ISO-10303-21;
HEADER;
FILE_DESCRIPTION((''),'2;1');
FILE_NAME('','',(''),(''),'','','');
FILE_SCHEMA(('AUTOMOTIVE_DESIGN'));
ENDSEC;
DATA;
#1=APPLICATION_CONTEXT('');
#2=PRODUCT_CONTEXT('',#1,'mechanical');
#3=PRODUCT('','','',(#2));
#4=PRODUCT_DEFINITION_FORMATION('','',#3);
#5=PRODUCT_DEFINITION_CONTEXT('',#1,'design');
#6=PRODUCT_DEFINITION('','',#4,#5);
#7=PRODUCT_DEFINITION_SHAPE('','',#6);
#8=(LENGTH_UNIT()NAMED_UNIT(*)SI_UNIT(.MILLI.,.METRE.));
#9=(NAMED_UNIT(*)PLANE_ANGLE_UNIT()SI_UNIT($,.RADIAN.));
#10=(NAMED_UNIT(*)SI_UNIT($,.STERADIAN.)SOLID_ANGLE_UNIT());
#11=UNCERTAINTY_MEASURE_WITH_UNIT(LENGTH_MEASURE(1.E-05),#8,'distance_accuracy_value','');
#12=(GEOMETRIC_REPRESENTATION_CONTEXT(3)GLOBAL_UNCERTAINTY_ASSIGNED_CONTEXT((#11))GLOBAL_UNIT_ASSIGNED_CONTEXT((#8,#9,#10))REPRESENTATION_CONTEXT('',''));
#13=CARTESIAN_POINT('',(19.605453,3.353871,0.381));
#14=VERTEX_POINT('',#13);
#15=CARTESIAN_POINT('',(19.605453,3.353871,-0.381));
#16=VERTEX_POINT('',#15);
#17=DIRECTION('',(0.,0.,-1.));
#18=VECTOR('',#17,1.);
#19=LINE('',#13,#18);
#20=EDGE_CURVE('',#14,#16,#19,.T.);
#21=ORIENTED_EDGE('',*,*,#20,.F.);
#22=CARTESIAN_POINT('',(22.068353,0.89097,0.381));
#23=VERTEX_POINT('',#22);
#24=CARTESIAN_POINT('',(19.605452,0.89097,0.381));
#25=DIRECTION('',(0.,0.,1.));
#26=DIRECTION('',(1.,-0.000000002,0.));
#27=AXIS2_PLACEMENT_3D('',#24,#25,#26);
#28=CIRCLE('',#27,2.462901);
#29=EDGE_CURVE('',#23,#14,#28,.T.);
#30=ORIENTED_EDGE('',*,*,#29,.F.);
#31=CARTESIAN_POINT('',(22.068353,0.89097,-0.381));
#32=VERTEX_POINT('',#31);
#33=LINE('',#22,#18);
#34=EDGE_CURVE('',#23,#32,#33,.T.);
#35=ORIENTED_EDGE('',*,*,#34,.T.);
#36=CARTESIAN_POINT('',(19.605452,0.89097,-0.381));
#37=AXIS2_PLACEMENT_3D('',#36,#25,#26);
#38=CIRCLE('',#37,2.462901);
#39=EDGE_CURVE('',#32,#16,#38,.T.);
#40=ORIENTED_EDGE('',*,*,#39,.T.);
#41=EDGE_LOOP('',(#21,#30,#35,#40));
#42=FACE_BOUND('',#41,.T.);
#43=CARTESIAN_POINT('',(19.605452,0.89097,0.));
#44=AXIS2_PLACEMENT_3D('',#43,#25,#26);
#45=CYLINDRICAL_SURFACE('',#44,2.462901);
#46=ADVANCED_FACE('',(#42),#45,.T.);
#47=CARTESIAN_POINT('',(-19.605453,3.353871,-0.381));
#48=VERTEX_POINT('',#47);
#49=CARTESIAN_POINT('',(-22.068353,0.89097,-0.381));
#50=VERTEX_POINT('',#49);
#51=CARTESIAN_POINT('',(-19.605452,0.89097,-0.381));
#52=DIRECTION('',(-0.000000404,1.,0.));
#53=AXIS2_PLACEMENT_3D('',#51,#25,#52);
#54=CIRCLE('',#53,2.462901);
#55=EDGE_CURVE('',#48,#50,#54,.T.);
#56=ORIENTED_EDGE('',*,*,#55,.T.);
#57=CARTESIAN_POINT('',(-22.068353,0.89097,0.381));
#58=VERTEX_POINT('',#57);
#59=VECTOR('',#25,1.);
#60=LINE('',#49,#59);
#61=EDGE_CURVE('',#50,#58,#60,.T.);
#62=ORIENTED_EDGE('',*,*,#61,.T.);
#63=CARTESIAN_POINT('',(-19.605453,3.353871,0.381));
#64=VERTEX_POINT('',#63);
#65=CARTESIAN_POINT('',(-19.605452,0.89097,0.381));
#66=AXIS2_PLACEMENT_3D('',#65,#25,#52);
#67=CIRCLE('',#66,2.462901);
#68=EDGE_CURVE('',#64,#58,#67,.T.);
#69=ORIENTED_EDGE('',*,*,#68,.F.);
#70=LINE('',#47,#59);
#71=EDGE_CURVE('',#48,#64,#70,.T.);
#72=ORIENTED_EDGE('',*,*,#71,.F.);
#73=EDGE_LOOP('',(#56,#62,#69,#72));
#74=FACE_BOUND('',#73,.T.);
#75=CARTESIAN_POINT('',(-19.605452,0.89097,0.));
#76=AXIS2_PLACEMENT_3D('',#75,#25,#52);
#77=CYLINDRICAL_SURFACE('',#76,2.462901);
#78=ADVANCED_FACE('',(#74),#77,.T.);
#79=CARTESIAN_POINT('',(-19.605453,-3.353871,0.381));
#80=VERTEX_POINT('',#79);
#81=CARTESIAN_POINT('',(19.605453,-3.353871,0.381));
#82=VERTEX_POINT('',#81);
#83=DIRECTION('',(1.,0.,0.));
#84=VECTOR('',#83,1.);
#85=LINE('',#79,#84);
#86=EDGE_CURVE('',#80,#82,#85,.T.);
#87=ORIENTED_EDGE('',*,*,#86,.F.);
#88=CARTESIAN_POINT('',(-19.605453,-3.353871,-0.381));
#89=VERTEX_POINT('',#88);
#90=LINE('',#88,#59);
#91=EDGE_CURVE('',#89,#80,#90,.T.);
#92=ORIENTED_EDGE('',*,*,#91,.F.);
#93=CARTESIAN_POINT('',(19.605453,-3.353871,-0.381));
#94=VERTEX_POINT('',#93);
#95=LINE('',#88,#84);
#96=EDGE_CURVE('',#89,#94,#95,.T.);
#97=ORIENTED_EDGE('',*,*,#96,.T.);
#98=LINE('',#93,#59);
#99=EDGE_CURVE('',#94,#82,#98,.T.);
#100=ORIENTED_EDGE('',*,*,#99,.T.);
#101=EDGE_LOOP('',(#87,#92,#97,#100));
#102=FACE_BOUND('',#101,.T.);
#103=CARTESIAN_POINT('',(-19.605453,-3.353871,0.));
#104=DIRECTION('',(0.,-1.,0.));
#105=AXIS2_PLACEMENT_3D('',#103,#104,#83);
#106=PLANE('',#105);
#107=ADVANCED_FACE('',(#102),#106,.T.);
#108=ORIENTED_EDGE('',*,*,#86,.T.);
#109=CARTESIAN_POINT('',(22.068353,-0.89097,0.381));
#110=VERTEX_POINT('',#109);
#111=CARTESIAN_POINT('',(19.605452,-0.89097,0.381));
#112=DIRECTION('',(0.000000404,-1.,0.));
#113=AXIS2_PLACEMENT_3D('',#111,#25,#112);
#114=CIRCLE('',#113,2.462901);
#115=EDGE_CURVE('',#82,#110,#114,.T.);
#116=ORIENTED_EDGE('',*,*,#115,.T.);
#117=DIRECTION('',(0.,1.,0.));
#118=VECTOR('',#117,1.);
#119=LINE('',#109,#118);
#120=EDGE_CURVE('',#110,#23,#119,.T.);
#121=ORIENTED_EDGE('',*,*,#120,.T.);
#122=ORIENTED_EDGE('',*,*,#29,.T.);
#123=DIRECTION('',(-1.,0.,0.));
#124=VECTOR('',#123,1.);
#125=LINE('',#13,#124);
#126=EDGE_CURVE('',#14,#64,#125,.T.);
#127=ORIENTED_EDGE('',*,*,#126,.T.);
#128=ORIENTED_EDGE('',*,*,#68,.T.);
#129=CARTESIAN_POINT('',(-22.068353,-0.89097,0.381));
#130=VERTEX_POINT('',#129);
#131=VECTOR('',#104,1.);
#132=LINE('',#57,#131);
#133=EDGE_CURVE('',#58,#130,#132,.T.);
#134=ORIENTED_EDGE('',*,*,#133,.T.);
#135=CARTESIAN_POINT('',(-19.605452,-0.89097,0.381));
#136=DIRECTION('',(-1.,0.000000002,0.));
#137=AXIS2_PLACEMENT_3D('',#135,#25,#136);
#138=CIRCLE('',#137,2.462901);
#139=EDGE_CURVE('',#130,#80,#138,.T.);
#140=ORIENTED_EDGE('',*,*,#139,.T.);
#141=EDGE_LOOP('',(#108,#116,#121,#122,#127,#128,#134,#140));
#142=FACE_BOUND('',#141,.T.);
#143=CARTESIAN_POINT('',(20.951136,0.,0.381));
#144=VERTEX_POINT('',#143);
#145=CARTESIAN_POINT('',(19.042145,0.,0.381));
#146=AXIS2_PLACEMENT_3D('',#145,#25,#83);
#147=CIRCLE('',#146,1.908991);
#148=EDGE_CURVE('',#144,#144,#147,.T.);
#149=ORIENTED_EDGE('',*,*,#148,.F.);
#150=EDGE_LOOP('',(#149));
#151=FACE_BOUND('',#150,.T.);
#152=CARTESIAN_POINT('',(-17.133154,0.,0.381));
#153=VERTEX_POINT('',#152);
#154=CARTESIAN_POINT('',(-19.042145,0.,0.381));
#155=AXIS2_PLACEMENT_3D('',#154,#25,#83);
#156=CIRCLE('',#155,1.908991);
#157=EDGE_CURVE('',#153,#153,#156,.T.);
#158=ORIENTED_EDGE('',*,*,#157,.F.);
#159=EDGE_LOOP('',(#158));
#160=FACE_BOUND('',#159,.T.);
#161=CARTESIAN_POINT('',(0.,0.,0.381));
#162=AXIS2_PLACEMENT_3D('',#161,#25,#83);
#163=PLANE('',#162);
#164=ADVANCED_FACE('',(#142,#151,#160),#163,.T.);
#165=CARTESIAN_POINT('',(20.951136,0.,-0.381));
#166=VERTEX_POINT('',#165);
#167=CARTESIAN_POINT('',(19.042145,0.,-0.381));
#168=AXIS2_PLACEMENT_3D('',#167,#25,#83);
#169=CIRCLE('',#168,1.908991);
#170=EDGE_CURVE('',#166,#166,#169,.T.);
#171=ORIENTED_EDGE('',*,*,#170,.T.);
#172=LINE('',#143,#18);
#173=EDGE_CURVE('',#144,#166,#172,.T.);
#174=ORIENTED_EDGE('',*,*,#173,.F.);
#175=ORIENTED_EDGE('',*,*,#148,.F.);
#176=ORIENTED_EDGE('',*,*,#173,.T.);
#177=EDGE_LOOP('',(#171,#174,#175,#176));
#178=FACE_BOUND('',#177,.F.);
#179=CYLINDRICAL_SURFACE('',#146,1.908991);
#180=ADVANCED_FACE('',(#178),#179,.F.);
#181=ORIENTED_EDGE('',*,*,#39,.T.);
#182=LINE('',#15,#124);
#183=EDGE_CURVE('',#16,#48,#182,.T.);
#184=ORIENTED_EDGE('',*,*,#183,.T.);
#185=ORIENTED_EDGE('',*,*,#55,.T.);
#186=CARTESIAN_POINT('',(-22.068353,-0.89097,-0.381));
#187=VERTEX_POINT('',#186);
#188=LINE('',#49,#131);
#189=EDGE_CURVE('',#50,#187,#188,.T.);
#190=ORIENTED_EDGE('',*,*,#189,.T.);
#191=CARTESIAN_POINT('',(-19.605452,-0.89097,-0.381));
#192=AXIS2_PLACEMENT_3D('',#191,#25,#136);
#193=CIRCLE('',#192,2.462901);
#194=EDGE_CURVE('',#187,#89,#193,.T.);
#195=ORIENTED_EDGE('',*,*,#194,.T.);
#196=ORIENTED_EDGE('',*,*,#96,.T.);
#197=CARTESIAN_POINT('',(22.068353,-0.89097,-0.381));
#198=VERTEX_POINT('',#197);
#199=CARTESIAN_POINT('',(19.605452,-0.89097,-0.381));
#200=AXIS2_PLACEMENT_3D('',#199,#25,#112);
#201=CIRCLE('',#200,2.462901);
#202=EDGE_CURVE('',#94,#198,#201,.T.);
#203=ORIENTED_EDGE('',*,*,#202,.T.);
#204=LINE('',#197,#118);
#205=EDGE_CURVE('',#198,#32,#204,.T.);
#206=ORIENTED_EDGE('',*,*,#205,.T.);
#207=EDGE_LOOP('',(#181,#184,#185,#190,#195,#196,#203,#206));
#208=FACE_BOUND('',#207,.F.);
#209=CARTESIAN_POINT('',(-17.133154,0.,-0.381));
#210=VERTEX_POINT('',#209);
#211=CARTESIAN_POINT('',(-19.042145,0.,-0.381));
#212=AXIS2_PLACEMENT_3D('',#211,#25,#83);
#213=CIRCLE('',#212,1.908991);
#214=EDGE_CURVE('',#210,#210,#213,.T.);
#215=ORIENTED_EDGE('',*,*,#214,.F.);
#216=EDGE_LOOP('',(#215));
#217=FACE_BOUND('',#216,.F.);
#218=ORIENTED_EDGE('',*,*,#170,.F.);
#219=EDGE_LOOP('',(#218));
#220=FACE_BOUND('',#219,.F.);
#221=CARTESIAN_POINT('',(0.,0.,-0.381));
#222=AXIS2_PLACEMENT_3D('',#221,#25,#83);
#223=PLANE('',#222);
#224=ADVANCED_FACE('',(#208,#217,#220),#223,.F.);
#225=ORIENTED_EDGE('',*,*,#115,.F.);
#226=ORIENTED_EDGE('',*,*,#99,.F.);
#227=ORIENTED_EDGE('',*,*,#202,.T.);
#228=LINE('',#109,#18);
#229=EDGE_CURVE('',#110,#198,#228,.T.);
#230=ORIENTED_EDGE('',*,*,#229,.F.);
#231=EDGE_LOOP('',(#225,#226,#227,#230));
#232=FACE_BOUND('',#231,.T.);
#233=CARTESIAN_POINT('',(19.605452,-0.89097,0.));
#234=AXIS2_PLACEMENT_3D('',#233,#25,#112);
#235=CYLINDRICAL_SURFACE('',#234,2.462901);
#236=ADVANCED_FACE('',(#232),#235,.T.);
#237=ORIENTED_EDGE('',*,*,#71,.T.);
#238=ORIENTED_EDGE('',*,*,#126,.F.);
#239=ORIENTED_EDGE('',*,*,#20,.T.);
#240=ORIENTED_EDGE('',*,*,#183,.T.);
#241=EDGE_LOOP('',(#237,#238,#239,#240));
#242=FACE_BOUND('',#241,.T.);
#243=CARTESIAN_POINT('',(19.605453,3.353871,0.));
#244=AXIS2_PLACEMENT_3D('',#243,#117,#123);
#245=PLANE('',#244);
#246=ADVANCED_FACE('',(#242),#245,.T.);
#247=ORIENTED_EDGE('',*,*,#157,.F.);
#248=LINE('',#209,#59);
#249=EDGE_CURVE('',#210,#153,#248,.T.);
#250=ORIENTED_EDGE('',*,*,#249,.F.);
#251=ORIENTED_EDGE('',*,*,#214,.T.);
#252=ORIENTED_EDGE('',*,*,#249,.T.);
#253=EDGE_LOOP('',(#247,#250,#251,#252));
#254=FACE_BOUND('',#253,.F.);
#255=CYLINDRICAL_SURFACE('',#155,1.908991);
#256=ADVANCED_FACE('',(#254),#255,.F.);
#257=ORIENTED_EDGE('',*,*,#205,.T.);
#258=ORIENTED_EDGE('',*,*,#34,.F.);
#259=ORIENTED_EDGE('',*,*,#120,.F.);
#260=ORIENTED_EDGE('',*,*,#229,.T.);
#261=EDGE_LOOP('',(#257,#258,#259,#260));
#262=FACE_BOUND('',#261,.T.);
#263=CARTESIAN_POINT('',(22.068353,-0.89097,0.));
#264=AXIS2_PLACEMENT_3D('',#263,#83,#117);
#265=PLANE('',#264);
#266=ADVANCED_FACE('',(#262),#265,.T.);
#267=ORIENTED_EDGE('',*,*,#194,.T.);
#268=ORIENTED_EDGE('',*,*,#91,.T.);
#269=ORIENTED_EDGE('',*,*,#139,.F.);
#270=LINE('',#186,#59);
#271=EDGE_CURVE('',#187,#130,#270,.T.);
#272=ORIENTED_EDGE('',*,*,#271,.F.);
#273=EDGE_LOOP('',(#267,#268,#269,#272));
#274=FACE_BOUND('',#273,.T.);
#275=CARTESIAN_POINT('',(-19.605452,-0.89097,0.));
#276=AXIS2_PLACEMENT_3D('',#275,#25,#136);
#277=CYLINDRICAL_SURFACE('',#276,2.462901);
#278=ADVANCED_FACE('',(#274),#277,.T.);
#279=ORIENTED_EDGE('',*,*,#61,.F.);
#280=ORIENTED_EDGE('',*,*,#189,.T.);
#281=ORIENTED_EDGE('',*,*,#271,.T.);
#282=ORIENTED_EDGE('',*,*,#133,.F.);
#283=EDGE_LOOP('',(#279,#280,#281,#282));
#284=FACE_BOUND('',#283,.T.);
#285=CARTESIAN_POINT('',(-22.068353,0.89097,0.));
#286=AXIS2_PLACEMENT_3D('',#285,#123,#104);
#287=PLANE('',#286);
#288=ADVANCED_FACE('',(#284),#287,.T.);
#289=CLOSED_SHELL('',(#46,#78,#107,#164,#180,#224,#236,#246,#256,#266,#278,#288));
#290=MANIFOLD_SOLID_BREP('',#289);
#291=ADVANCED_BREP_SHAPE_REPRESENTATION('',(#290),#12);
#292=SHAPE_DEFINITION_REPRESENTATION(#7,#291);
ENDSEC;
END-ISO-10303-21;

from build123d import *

# Parameters (mm, degrees)
F1_DEPTH      = 0.381
F1_DEPTH_BACK = 0.381
F2_R          = 1.908991
F3_DEPTH      = 1.27
F3_DEPTH_BACK = 0.6858
F4_DEPTH      = 0.9398
F4_DEPTH_BACK = 1.8034


with BuildPart() as f1:
    # F0 (on Top) → F1 (new body, two sides)
    with BuildSketch(Plane.XY) as f1_sk:
        with BuildLine():
            Line((19.605453, 3.353871), (-19.605453, 3.353871))
            ThreePointArc((-19.605453, 3.353871), (-21.346986, 2.632504), (-22.068353, 0.89097))
            Line((-22.068353, 0.89097), (-22.068353, -0.89097))
            ThreePointArc((-22.068353, -0.89097), (-21.346986, -2.632504), (-19.605453, -3.353871))
            Line((-19.605453, -3.353871), (19.605453, -3.353871))
            ThreePointArc((19.605453, -3.353871), (21.346986, -2.632504), (22.068353, -0.89097))
            Line((22.068353, -0.89097), (22.068353, 0.89097))
            ThreePointArc((22.068353, 0.89097), (21.346986, 2.632504), (19.605453, 3.353871))
        make_face()
    extrude(amount=F1_DEPTH)
    extrude(f1_sk.sketch, amount=-F1_DEPTH_BACK)

    # F2 (on face) → F3 (cut, two sides)
    with BuildSketch(Plane.XY.offset(0.381)) as f3_sk:
        with Locations((-19.042145, 0)):
            Circle(F2_R)
    extrude(amount=-F3_DEPTH, mode=Mode.SUBTRACT)
    extrude(f3_sk.sketch, amount=-F3_DEPTH_BACK, mode=Mode.SUBTRACT)

    # F2 (on face) → F4 (cut, two sides)
    with BuildSketch(Plane.XY.offset(0.381)) as f4_sk:
        with Locations((19.042145, 0)):
            Circle(F2_R)
    extrude(amount=F4_DEPTH, mode=Mode.SUBTRACT)
    extrude(f4_sk.sketch, amount=-F4_DEPTH_BACK, mode=Mode.SUBTRACT)


solid = f1.part
